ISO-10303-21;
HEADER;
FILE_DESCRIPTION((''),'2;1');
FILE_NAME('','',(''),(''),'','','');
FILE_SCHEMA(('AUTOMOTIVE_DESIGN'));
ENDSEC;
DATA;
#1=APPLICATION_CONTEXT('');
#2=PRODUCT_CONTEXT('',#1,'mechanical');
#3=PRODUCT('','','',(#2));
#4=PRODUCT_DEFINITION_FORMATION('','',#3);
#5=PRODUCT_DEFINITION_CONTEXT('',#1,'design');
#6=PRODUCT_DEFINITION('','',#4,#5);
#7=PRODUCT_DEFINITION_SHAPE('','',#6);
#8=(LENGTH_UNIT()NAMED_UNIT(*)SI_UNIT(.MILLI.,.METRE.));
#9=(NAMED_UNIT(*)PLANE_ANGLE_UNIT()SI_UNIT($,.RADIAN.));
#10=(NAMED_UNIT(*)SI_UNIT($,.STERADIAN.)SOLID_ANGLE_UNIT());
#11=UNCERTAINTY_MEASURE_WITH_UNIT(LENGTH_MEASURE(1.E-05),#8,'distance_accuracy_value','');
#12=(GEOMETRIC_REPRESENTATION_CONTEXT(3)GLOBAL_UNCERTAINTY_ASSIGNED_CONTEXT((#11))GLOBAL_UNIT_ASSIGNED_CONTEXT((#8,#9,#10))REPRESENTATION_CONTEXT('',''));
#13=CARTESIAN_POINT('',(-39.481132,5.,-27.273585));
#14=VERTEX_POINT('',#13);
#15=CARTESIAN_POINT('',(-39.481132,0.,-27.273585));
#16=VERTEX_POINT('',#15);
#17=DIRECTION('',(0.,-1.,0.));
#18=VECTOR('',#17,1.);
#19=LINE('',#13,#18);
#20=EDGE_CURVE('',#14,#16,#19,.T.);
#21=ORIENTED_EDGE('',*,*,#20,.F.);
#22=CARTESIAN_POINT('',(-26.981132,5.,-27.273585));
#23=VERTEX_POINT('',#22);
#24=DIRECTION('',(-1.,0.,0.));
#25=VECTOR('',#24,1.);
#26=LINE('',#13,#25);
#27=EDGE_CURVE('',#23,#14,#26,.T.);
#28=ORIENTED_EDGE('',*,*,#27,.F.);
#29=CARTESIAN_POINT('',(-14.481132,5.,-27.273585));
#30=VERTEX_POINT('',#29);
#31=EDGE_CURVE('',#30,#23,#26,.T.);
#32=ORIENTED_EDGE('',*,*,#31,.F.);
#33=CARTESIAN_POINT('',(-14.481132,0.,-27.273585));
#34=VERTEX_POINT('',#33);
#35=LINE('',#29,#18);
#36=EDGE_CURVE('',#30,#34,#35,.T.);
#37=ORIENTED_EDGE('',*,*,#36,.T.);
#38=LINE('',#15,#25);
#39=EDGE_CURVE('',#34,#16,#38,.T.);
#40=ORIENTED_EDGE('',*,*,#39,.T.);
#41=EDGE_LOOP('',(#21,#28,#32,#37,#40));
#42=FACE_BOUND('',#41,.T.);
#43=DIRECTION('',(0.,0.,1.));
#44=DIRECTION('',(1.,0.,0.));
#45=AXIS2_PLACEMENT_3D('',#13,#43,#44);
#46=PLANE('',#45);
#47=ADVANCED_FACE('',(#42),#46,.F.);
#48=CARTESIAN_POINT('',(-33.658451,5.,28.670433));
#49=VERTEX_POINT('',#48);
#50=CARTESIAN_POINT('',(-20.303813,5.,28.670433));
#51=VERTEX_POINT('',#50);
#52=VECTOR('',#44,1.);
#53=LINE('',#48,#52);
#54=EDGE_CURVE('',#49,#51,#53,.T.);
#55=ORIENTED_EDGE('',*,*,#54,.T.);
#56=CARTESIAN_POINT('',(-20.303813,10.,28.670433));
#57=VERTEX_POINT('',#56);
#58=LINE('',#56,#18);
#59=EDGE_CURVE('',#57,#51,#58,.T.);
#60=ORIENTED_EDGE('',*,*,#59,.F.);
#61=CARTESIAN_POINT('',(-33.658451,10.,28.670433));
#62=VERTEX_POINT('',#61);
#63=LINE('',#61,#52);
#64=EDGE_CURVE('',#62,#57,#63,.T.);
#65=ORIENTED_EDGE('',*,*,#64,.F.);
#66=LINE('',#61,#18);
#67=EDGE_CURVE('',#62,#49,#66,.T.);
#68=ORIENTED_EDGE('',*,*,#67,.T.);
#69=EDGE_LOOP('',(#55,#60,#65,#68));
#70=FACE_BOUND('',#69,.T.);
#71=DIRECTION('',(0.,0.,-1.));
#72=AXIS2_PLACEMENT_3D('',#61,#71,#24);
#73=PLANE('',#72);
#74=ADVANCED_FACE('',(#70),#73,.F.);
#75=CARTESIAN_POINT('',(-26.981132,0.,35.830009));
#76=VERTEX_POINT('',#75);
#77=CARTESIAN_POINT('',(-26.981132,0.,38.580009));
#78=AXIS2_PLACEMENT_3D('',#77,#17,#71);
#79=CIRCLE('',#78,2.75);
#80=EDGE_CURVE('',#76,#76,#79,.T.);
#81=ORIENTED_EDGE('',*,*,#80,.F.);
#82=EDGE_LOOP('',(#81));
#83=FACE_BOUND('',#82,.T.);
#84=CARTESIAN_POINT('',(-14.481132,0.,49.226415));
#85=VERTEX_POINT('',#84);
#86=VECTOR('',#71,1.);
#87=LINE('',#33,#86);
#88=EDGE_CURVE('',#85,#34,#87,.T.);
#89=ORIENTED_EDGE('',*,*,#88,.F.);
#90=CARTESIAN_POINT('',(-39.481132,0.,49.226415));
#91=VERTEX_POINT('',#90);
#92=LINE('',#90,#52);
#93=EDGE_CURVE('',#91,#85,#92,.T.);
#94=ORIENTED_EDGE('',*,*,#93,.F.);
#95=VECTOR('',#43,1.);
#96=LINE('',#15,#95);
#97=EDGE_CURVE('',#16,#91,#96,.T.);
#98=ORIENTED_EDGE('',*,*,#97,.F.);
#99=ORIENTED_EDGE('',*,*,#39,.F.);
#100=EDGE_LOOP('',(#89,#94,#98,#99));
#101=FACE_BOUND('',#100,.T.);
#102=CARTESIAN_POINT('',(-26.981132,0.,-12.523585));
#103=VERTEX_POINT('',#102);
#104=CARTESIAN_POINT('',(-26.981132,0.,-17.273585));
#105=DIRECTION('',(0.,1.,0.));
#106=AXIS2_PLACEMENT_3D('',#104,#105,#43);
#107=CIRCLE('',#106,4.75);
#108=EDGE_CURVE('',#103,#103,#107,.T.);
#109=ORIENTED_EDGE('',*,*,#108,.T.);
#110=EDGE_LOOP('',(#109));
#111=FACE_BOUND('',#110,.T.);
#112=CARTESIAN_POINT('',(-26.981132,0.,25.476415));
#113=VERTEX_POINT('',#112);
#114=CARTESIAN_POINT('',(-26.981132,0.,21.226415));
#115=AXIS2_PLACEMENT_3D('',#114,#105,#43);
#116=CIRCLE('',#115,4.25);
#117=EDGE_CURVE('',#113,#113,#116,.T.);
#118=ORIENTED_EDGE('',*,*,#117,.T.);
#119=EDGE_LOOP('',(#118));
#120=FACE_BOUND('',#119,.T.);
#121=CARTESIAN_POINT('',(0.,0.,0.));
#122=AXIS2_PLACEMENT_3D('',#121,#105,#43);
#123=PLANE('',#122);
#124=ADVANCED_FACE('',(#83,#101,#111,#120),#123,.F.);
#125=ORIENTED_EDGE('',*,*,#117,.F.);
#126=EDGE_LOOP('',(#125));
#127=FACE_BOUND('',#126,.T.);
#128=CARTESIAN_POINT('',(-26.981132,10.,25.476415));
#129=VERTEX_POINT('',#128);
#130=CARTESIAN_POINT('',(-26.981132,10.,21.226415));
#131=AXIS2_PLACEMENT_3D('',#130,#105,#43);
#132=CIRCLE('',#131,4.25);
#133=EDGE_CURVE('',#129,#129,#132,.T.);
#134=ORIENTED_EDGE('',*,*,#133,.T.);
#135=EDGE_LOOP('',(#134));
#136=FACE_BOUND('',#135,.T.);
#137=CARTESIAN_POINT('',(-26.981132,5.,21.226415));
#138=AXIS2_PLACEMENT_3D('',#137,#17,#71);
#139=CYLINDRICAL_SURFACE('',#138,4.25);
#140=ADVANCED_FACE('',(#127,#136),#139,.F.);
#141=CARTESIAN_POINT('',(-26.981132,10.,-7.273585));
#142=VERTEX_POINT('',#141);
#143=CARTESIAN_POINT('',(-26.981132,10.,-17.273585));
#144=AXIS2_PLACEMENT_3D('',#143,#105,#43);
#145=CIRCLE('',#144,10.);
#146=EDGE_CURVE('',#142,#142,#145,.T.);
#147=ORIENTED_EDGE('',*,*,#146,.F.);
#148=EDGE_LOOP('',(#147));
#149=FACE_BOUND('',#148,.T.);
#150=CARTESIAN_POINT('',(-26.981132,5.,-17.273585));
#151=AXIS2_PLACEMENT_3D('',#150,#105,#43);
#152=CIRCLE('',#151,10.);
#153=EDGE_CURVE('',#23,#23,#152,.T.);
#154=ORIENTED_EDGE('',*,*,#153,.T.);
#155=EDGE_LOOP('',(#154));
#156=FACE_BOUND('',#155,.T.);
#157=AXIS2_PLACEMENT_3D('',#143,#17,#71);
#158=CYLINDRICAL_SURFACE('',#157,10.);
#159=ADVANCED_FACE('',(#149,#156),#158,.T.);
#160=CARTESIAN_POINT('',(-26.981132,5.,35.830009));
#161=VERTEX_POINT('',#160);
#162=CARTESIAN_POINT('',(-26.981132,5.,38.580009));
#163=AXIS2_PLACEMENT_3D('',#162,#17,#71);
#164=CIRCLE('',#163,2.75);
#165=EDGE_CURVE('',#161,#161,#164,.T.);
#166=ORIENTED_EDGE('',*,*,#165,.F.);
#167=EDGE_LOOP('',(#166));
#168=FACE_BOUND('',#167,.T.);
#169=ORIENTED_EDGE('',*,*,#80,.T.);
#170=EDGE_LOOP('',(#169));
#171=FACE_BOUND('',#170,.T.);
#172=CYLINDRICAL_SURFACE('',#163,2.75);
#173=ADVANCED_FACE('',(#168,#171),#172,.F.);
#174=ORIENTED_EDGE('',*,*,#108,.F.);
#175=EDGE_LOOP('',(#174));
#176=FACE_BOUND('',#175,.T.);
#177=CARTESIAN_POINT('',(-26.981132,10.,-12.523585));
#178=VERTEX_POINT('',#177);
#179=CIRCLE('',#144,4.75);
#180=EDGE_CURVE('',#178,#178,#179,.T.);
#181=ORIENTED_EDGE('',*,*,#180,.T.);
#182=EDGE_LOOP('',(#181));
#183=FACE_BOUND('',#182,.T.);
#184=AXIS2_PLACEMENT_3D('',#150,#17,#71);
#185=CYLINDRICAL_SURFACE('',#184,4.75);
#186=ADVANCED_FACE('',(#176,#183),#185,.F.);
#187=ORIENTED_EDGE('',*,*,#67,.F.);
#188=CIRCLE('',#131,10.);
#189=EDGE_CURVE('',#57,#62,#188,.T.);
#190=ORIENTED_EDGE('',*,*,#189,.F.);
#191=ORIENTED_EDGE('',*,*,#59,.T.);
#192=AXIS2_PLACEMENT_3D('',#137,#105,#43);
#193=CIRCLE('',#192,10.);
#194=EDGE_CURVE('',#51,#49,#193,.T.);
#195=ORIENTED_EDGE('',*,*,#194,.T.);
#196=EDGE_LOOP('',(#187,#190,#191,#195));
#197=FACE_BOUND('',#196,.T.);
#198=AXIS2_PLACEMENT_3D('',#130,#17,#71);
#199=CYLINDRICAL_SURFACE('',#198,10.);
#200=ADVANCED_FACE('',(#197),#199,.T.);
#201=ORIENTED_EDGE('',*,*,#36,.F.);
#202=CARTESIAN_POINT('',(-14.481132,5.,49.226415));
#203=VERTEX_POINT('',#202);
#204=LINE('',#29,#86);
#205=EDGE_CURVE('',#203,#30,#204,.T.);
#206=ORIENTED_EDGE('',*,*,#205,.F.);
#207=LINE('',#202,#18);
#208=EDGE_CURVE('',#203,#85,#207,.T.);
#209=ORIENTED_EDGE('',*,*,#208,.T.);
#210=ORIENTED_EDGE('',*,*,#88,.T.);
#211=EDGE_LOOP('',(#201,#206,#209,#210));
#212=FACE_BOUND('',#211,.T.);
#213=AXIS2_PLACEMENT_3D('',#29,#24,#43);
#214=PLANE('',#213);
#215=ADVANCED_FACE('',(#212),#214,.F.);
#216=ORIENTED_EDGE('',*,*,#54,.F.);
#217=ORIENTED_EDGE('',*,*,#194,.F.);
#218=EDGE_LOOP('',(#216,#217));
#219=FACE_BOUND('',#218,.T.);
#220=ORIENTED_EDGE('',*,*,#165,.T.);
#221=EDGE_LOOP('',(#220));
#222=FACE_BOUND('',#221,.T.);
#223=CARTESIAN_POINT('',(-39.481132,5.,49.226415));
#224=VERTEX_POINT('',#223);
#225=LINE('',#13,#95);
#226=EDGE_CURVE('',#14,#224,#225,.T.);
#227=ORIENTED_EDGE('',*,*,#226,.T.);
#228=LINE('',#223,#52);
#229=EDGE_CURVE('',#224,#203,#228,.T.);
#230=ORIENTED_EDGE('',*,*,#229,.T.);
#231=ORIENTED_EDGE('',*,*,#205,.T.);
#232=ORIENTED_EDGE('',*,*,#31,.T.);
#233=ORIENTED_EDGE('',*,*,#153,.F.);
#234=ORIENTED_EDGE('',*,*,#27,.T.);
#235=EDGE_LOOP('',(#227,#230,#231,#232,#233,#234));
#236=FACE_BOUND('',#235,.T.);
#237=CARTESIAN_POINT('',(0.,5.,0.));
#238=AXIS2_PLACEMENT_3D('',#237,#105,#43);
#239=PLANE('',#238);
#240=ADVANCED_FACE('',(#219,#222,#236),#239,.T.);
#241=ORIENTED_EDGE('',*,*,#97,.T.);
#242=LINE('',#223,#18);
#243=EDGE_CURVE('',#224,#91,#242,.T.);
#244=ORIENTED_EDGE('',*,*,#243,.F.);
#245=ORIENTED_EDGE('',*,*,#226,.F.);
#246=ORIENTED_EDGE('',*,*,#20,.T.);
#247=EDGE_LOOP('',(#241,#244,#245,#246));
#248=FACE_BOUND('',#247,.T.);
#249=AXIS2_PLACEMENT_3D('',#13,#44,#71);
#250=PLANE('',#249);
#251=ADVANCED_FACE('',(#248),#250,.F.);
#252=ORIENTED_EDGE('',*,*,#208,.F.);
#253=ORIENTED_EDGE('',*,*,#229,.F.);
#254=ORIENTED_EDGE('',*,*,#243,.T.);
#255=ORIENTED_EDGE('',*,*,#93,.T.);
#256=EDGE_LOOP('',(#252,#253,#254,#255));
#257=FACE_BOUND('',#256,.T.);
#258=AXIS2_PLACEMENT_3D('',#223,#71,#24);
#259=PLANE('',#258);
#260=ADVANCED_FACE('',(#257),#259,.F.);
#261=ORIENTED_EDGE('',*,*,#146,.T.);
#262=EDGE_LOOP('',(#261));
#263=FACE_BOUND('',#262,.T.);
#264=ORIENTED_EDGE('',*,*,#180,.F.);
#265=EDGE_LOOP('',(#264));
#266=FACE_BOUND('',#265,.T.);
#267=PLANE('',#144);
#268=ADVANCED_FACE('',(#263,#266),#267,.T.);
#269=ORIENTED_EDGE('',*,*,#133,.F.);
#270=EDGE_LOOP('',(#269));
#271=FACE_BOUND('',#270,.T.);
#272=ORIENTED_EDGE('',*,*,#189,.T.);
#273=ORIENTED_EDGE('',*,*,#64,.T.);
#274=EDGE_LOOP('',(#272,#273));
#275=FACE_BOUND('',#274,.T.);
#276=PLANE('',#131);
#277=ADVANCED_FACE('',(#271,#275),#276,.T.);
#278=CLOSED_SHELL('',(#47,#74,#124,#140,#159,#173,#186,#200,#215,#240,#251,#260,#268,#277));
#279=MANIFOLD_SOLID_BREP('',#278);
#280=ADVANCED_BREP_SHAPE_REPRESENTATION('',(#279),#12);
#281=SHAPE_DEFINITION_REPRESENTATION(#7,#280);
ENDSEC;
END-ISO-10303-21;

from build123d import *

# Parameters (mm, degrees)
SKETCH_1_W          = 25
SKETCH_1_H          = 76.5
SKETCH_1_R          = 4.75
SKETCH_1_R_2        = 4.25
EXTRUDE_1_DEPTH     = 5
SKETCH_2_R          = 2.75
CUT_EXTRUDE_1_DEPTH = 64.300866763
SKETCH_3_R          = 10
SKETCH_3_R_2        = 4.75
SKETCH_3_R_3        = 4.25
EXTRUDE_2_DEPTH     = 5


with BuildPart() as part:
    # 草图1 → 凸台-拉伸1 (new body)
    with BuildSketch(Plane(origin=(0, 0, 0), x_dir=(1, 0, 0), z_dir=(0, 1, 0))):
        with Locations((-26.981132075, -10.976415094)):
            Rectangle(SKETCH_1_W, SKETCH_1_H)
        with Locations(Location((-26.981132075, 17.273584906, 0), (0, 0, 270))):
            Circle(SKETCH_1_R, mode=Mode.SUBTRACT)
        with Locations(Location((-26.981132075, -21.226415094, 0), (0, 0, 270))):
            Circle(SKETCH_1_R_2, mode=Mode.SUBTRACT)
    extrude(amount=EXTRUDE_1_DEPTH)

    # 草图2 → 切除-拉伸1 (cut, through all)
    with BuildSketch(Plane(origin=(0, 0, 0), x_dir=(-1, 0, 0), z_dir=(0, -1, 0))):
        with Locations(Location((26.981132075, -38.580008519, 0), (0, 0, 90))):
            Circle(SKETCH_2_R)
    extrude(amount=-CUT_EXTRUDE_1_DEPTH, mode=Mode.SUBTRACT)

    # 草图3 → 凸台-拉伸2 (add)
    # profile 1 of 2: a face of its own
    with BuildSketch(Plane(origin=(0, 5, 0), x_dir=(1, 0, 0), z_dir=(0, 1, 0))):
        with Locations(Location((-26.981132075, 17.273584906, 0), (0, 0, 90))):
            Circle(SKETCH_3_R)
        with Locations(Location((-26.981132075, 17.273584906, 0), (0, 0, 270))):
            Circle(SKETCH_3_R_2, mode=Mode.SUBTRACT)
    # profile 2 of 2: a face of its own
    with BuildSketch(Plane(origin=(0, 5, 0), x_dir=(1, 0, 0), z_dir=(0, 1, 0))):
        with BuildLine():
            Line((-33.65845117, -28.670433479), (-20.303812981, -28.670433479))
            ThreePointArc((-20.303812981, -28.670433479), (-26.981132075, -11.226415094), (-33.65845117, -28.670433479))
        make_face()
        with Locations(Location((-26.981132075, -21.226415094, 0), (0, 0, 270))):
            Circle(SKETCH_3_R_3, mode=Mode.SUBTRACT)
    extrude(amount=EXTRUDE_2_DEPTH)


solid = part.part
